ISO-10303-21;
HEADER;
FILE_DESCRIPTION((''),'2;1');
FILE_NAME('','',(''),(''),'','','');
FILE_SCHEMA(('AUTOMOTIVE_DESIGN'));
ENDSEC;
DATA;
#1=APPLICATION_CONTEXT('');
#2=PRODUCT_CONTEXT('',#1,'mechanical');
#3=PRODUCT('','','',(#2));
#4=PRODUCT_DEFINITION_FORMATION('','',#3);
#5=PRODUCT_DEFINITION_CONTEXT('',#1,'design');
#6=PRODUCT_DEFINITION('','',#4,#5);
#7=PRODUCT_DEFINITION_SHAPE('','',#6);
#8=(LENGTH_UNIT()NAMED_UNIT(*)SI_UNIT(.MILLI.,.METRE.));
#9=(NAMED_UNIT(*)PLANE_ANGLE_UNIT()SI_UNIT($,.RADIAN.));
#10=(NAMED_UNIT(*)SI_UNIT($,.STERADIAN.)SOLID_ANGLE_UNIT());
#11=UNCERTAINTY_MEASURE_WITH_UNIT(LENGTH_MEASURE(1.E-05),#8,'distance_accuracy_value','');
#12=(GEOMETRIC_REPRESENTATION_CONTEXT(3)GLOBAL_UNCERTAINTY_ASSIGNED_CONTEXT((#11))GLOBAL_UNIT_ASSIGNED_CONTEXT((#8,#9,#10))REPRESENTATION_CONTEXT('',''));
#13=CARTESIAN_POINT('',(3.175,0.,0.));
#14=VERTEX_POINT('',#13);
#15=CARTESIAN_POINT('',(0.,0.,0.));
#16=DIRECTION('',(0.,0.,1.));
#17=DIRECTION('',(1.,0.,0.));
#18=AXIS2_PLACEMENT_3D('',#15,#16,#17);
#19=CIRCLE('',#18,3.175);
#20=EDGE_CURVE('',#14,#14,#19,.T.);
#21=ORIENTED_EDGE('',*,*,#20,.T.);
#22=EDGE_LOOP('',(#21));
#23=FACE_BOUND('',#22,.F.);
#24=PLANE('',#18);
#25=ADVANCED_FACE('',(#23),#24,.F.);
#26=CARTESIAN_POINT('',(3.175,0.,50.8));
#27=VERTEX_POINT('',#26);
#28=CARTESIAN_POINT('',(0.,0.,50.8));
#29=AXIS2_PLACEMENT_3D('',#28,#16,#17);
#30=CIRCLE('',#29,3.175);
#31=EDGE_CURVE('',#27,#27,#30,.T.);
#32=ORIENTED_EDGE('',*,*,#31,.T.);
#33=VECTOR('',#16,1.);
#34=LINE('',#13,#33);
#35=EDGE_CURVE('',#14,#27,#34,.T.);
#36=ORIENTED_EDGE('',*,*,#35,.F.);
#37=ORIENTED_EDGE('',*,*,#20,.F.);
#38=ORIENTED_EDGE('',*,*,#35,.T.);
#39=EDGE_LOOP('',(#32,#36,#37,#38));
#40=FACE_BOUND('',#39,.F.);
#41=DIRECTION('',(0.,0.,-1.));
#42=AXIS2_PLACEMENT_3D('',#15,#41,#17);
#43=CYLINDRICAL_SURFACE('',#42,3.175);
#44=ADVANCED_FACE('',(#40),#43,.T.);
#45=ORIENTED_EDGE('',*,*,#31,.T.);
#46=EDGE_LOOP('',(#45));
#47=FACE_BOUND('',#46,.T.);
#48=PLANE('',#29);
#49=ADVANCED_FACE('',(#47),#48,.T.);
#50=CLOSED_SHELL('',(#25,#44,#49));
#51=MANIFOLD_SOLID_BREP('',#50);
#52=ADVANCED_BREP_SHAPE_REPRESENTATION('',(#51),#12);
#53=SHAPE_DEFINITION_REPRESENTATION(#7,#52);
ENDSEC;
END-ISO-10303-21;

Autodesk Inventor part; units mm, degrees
ref_plane "YZ Plane" through (0, 0, 0) normal (1, 0, 0) x (0, 1, 0)
ref_plane "XZ Plane" through (0, 0, 0) normal (0, 1, 0) x (-1, 0, 0)
ref_plane "XY Plane" through (0, 0, 0) normal (0, 0, 1) x (1, 0, 0)
sketch "Sketch1" plane through (0, 0, 0) normal (0, 0, 1) x (1, 0, 0)
  circle A0 centre (0, 0) radius 3.175
  dimension "d0" = 6.35
extrude "Extrusion1" add sketch "Sketch1" along normal blind 50.8
properties part number "Shaft-.25x2"
